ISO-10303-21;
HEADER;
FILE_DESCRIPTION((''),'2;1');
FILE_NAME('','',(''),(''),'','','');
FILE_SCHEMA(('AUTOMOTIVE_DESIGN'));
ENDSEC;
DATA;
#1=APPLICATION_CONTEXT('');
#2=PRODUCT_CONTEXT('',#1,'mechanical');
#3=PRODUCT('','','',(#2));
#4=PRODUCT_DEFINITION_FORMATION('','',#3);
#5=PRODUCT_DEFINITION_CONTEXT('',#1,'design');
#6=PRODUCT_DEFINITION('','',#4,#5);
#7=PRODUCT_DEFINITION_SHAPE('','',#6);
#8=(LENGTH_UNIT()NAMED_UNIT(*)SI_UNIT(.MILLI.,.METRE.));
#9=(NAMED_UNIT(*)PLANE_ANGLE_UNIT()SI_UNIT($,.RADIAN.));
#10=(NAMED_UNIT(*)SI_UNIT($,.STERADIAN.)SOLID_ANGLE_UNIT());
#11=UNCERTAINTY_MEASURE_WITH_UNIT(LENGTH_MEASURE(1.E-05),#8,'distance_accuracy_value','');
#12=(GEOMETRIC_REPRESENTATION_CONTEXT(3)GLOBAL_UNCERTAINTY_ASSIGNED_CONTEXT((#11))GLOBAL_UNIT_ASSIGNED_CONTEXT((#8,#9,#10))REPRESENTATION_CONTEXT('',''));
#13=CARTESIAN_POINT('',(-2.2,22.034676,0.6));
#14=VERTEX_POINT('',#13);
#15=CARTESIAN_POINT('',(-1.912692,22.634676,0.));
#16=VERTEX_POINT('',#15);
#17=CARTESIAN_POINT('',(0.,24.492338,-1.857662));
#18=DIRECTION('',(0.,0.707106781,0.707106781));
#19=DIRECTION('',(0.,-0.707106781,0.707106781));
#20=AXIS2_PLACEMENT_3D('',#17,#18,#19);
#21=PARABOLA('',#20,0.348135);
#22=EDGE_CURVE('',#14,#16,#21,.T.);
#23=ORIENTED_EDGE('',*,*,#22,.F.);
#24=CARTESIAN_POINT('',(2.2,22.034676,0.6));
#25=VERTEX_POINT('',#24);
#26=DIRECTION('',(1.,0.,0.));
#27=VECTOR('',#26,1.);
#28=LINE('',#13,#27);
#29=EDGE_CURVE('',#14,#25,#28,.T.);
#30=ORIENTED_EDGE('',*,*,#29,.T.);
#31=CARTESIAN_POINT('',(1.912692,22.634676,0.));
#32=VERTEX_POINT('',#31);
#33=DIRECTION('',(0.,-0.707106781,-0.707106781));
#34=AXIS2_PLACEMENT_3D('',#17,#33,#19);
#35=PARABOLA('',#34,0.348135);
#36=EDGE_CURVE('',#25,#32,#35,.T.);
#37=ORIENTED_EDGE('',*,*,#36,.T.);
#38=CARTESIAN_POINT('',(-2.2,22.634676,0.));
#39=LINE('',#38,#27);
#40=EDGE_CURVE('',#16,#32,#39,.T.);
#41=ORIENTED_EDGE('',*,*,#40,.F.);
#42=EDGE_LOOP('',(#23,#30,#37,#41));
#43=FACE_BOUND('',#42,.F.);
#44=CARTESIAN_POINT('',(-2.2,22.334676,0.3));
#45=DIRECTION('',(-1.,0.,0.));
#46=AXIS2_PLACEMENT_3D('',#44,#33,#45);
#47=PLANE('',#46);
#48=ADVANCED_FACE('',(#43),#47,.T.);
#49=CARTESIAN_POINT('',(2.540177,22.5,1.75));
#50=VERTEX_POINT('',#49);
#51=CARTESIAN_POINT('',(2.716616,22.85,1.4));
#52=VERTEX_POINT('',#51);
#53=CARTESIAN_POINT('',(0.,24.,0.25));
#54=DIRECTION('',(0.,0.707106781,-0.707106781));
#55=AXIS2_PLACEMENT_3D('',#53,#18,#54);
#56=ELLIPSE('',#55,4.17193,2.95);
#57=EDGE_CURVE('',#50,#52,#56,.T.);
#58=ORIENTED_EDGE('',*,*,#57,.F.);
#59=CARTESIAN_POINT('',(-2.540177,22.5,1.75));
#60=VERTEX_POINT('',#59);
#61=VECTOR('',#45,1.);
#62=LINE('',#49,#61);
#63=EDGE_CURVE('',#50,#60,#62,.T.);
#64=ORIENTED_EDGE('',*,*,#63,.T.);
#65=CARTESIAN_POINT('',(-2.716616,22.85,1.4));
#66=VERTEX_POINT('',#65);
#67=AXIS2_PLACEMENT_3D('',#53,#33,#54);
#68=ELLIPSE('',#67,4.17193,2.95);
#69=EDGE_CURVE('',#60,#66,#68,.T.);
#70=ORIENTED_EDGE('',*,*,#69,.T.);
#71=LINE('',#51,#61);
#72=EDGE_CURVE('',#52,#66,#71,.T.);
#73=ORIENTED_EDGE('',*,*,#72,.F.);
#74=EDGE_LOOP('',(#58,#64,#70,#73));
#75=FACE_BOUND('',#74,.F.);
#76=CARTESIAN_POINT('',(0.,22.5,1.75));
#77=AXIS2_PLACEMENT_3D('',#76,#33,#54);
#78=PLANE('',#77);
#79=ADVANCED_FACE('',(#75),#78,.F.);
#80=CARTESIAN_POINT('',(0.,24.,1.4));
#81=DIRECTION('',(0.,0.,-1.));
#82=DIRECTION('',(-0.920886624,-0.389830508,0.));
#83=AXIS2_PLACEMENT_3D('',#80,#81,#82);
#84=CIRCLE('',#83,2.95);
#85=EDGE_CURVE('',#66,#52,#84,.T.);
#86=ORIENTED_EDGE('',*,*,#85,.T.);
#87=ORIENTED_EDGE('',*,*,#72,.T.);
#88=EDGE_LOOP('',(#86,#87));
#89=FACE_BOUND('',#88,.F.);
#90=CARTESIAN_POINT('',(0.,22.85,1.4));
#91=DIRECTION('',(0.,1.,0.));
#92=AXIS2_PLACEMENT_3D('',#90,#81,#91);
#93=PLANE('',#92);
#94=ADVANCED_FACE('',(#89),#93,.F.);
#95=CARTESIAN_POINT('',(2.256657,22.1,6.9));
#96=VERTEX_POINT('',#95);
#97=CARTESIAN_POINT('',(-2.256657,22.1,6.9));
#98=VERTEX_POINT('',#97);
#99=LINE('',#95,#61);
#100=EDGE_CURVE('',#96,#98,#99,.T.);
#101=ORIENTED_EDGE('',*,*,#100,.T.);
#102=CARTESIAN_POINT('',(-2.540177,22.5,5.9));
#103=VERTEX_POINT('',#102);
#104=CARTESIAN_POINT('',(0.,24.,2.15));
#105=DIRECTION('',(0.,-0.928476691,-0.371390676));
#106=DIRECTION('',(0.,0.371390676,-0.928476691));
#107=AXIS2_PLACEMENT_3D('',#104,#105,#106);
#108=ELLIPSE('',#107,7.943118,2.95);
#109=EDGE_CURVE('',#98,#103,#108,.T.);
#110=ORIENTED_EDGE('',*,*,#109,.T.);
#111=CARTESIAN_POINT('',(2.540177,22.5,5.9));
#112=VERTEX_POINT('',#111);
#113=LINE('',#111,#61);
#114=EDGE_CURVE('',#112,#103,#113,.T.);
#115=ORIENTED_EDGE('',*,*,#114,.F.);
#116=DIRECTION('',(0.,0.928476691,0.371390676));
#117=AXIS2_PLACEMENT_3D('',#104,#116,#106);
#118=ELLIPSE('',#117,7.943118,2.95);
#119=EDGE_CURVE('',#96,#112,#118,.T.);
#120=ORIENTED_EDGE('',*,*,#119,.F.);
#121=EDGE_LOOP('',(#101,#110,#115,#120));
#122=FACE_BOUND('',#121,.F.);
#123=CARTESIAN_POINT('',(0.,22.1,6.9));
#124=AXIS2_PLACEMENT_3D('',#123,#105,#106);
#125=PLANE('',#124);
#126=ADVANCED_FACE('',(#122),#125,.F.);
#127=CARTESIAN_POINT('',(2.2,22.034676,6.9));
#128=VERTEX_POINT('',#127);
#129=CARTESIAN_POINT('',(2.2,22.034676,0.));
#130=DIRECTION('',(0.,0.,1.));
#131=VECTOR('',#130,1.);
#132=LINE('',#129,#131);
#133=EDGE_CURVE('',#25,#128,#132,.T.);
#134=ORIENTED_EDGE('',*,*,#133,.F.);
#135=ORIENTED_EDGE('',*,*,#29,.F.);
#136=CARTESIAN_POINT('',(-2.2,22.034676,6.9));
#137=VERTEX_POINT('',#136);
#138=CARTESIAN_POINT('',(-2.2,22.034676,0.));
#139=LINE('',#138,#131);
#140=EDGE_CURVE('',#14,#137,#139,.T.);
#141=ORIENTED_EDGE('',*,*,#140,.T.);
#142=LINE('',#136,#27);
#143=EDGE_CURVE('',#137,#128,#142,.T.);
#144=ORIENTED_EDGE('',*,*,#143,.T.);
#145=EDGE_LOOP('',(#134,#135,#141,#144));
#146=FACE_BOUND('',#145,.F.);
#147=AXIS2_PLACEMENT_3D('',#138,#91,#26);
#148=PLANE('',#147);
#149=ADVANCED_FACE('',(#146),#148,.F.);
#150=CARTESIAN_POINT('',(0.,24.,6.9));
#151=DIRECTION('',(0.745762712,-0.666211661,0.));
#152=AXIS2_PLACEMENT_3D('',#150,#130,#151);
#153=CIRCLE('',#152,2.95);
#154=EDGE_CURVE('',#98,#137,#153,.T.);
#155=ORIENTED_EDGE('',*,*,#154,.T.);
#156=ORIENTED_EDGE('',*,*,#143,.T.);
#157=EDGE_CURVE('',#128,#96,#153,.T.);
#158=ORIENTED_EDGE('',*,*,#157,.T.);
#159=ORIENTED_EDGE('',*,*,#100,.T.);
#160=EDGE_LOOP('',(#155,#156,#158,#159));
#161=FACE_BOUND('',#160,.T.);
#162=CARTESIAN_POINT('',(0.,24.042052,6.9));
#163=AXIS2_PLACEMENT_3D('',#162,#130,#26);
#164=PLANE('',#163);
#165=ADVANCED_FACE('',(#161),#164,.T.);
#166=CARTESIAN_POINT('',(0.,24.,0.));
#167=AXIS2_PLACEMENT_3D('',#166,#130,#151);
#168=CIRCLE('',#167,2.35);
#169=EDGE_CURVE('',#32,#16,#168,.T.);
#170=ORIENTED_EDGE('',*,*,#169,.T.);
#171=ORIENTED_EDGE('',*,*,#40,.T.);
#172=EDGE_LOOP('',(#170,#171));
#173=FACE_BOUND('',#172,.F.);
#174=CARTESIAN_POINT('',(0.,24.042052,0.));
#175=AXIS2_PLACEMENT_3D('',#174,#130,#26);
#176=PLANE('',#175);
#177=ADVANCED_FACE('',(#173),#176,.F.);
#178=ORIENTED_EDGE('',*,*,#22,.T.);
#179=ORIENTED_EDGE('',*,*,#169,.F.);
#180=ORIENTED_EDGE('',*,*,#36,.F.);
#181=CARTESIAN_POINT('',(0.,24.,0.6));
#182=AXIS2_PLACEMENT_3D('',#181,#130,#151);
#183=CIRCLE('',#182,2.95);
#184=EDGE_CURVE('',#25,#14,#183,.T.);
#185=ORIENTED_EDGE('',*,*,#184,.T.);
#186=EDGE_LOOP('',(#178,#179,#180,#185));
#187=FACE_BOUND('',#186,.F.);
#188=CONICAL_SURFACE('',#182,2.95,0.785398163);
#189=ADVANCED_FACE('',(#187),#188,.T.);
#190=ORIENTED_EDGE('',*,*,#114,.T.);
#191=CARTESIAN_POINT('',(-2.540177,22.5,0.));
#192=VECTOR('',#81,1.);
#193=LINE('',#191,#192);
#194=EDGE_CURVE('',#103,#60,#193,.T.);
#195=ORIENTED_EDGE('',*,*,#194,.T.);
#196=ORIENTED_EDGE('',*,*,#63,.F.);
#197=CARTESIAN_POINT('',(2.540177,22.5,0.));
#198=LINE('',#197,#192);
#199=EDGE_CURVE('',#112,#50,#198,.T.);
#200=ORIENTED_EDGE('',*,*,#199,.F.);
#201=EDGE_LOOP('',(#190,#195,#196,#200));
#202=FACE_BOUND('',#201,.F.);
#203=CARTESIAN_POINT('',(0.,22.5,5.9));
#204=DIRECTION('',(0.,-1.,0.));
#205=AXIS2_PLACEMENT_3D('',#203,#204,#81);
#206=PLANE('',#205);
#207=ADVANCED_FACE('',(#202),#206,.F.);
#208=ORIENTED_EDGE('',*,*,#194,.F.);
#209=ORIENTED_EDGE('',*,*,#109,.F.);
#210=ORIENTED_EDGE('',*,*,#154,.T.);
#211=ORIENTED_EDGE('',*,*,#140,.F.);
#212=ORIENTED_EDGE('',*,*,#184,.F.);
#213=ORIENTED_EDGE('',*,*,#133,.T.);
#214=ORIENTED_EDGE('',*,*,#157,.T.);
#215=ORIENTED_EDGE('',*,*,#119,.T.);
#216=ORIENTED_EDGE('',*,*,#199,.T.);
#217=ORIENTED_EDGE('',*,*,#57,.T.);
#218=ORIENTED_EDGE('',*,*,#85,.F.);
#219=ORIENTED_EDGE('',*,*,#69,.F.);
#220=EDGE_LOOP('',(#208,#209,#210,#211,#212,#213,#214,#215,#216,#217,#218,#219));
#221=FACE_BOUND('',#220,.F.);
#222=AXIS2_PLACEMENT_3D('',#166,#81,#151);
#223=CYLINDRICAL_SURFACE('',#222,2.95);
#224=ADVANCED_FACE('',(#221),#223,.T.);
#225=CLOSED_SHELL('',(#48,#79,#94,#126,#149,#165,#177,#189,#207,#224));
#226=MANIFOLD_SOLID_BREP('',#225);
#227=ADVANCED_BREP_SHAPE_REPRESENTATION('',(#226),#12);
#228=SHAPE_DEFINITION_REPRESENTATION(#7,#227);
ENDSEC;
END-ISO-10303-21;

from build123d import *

# Parameters (mm, degrees)
PAD007_DEPTH         = 6.9
POCKET005_DEPTH      = 2.951
POCKET005_DEPTH_BACK = 2.951
CHAMFER008_SIZE      = 0.6


with BuildPart() as part:
    # Sketch018 → Pad007 (new body)
    with BuildSketch(Plane.XY):
        with BuildLine():
            ThreePointArc((2.2, -1.9653244007), (0, 2.95), (-2.2, -1.9653244007))
            Line((-2.2, -1.9653244007), (2.2, -1.9653244007))
        make_face()
    extrude(amount=PAD007_DEPTH)

    # Sketch019 → Pocket005 (cut, two sides)
    with BuildSketch(Plane.YZ) as pocket005_sk:
        Polygon((-1.9, 6.9), (-1.5, 5.9), (-1.5, 1.75), (-1.15, 1.4), (5, 1.4), (5, 6.9), align=None)
    extrude(amount=-POCKET005_DEPTH, mode=Mode.SUBTRACT)
    extrude(pocket005_sk.sketch, amount=POCKET005_DEPTH_BACK, mode=Mode.SUBTRACT)

    # Chamfer008
    chamfer008_edges = [part.edges().sort_by_distance(p)[0] for p in [
        (0, 2.95, 0),
        (0, -1.965324, 0),
    ]]
    chamfer(chamfer008_edges, length=CHAMFER008_SIZE)


with BuildPart() as part_1:
    # Body054 placement: moved
    add(part.part.moved(Location((0, 24, 0))))


solid = part_1.part
